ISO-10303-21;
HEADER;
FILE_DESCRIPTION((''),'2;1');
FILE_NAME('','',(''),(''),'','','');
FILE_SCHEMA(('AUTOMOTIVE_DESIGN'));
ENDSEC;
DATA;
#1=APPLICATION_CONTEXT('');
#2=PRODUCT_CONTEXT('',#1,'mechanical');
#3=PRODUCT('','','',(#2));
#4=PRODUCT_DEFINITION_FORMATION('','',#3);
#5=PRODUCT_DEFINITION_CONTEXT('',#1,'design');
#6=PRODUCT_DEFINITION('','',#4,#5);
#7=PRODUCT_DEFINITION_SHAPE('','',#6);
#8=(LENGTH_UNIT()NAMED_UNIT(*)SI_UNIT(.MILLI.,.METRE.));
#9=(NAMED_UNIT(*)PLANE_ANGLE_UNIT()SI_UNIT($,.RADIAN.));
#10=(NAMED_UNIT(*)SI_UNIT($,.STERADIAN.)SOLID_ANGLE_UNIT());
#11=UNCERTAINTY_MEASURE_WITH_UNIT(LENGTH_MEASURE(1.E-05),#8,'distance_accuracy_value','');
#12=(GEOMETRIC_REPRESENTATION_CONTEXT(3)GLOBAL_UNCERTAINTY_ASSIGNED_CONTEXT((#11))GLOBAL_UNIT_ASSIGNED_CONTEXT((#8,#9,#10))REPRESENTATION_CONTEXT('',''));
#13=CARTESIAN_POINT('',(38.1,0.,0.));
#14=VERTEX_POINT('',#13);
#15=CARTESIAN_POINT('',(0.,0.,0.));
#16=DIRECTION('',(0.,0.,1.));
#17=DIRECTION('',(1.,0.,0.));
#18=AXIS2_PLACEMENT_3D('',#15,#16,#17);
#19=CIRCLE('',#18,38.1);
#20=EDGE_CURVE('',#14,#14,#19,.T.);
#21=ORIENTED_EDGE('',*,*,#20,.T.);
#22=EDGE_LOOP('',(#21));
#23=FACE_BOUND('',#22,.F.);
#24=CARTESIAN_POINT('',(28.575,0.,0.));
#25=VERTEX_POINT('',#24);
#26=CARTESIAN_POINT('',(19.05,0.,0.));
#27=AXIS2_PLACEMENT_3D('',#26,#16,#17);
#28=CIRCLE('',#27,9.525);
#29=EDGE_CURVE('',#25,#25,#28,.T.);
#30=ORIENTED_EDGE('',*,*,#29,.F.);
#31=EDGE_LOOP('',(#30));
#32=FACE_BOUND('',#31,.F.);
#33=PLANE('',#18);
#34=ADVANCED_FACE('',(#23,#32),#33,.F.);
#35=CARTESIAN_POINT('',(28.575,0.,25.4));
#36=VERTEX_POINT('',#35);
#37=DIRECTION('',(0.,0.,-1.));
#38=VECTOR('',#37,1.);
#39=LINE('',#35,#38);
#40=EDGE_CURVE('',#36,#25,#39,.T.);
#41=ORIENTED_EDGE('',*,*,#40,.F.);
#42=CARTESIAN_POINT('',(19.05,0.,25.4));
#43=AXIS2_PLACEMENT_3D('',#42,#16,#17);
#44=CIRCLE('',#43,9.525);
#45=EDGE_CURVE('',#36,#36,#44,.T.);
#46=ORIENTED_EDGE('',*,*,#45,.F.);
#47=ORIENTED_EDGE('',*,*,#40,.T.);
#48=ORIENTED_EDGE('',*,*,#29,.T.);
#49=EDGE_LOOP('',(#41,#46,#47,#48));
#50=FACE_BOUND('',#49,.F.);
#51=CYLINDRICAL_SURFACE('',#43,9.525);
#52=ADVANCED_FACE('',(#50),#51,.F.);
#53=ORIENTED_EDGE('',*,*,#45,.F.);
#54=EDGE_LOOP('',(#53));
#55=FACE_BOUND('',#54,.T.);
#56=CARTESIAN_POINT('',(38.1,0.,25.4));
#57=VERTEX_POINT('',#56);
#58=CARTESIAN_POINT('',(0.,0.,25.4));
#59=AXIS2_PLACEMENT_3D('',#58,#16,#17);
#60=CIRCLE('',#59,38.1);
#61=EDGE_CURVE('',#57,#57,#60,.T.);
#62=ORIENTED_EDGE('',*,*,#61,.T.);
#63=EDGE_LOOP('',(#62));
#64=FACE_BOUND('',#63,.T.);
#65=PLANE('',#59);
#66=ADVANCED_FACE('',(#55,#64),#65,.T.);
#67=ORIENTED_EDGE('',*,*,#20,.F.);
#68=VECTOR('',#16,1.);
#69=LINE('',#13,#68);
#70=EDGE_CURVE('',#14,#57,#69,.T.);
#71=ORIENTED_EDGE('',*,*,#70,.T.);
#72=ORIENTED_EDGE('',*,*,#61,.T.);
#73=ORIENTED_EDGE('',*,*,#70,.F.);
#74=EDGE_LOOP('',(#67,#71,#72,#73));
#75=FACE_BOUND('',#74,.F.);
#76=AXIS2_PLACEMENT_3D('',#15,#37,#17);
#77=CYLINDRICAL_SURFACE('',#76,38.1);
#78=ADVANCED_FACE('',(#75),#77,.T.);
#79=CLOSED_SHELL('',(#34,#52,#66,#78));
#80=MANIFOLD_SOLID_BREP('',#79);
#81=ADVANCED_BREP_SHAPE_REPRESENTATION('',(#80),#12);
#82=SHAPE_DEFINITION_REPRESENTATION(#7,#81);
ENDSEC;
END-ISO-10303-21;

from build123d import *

# Parameters (mm, degrees)
F0_R     = 38.1
F1_DEPTH = 25.4
F3_DEPTH = 25.4


with BuildPart() as f1:
    # F0 (on Top) → F1 (new body)
    with BuildSketch(Plane.XY):
        Circle(F0_R)
    extrude(amount=F1_DEPTH)

    # F2 (on face) → F3 (cut)
    with BuildSketch(Plane.XY.offset(25.4)):
        with BuildLine():
            ThreePointArc((9.525, 0), (19.05, -9.525), (28.575, 0))
            Line((28.575, 0), (9.525, 0))
        make_face()
        with BuildLine():
            Line((9.525, 0), (28.575, 0))
            ThreePointArc((28.575, 0), (19.05, 9.525), (9.525, 0))
        make_face()
    extrude(amount=-F3_DEPTH, mode=Mode.SUBTRACT)


solid = f1.part
